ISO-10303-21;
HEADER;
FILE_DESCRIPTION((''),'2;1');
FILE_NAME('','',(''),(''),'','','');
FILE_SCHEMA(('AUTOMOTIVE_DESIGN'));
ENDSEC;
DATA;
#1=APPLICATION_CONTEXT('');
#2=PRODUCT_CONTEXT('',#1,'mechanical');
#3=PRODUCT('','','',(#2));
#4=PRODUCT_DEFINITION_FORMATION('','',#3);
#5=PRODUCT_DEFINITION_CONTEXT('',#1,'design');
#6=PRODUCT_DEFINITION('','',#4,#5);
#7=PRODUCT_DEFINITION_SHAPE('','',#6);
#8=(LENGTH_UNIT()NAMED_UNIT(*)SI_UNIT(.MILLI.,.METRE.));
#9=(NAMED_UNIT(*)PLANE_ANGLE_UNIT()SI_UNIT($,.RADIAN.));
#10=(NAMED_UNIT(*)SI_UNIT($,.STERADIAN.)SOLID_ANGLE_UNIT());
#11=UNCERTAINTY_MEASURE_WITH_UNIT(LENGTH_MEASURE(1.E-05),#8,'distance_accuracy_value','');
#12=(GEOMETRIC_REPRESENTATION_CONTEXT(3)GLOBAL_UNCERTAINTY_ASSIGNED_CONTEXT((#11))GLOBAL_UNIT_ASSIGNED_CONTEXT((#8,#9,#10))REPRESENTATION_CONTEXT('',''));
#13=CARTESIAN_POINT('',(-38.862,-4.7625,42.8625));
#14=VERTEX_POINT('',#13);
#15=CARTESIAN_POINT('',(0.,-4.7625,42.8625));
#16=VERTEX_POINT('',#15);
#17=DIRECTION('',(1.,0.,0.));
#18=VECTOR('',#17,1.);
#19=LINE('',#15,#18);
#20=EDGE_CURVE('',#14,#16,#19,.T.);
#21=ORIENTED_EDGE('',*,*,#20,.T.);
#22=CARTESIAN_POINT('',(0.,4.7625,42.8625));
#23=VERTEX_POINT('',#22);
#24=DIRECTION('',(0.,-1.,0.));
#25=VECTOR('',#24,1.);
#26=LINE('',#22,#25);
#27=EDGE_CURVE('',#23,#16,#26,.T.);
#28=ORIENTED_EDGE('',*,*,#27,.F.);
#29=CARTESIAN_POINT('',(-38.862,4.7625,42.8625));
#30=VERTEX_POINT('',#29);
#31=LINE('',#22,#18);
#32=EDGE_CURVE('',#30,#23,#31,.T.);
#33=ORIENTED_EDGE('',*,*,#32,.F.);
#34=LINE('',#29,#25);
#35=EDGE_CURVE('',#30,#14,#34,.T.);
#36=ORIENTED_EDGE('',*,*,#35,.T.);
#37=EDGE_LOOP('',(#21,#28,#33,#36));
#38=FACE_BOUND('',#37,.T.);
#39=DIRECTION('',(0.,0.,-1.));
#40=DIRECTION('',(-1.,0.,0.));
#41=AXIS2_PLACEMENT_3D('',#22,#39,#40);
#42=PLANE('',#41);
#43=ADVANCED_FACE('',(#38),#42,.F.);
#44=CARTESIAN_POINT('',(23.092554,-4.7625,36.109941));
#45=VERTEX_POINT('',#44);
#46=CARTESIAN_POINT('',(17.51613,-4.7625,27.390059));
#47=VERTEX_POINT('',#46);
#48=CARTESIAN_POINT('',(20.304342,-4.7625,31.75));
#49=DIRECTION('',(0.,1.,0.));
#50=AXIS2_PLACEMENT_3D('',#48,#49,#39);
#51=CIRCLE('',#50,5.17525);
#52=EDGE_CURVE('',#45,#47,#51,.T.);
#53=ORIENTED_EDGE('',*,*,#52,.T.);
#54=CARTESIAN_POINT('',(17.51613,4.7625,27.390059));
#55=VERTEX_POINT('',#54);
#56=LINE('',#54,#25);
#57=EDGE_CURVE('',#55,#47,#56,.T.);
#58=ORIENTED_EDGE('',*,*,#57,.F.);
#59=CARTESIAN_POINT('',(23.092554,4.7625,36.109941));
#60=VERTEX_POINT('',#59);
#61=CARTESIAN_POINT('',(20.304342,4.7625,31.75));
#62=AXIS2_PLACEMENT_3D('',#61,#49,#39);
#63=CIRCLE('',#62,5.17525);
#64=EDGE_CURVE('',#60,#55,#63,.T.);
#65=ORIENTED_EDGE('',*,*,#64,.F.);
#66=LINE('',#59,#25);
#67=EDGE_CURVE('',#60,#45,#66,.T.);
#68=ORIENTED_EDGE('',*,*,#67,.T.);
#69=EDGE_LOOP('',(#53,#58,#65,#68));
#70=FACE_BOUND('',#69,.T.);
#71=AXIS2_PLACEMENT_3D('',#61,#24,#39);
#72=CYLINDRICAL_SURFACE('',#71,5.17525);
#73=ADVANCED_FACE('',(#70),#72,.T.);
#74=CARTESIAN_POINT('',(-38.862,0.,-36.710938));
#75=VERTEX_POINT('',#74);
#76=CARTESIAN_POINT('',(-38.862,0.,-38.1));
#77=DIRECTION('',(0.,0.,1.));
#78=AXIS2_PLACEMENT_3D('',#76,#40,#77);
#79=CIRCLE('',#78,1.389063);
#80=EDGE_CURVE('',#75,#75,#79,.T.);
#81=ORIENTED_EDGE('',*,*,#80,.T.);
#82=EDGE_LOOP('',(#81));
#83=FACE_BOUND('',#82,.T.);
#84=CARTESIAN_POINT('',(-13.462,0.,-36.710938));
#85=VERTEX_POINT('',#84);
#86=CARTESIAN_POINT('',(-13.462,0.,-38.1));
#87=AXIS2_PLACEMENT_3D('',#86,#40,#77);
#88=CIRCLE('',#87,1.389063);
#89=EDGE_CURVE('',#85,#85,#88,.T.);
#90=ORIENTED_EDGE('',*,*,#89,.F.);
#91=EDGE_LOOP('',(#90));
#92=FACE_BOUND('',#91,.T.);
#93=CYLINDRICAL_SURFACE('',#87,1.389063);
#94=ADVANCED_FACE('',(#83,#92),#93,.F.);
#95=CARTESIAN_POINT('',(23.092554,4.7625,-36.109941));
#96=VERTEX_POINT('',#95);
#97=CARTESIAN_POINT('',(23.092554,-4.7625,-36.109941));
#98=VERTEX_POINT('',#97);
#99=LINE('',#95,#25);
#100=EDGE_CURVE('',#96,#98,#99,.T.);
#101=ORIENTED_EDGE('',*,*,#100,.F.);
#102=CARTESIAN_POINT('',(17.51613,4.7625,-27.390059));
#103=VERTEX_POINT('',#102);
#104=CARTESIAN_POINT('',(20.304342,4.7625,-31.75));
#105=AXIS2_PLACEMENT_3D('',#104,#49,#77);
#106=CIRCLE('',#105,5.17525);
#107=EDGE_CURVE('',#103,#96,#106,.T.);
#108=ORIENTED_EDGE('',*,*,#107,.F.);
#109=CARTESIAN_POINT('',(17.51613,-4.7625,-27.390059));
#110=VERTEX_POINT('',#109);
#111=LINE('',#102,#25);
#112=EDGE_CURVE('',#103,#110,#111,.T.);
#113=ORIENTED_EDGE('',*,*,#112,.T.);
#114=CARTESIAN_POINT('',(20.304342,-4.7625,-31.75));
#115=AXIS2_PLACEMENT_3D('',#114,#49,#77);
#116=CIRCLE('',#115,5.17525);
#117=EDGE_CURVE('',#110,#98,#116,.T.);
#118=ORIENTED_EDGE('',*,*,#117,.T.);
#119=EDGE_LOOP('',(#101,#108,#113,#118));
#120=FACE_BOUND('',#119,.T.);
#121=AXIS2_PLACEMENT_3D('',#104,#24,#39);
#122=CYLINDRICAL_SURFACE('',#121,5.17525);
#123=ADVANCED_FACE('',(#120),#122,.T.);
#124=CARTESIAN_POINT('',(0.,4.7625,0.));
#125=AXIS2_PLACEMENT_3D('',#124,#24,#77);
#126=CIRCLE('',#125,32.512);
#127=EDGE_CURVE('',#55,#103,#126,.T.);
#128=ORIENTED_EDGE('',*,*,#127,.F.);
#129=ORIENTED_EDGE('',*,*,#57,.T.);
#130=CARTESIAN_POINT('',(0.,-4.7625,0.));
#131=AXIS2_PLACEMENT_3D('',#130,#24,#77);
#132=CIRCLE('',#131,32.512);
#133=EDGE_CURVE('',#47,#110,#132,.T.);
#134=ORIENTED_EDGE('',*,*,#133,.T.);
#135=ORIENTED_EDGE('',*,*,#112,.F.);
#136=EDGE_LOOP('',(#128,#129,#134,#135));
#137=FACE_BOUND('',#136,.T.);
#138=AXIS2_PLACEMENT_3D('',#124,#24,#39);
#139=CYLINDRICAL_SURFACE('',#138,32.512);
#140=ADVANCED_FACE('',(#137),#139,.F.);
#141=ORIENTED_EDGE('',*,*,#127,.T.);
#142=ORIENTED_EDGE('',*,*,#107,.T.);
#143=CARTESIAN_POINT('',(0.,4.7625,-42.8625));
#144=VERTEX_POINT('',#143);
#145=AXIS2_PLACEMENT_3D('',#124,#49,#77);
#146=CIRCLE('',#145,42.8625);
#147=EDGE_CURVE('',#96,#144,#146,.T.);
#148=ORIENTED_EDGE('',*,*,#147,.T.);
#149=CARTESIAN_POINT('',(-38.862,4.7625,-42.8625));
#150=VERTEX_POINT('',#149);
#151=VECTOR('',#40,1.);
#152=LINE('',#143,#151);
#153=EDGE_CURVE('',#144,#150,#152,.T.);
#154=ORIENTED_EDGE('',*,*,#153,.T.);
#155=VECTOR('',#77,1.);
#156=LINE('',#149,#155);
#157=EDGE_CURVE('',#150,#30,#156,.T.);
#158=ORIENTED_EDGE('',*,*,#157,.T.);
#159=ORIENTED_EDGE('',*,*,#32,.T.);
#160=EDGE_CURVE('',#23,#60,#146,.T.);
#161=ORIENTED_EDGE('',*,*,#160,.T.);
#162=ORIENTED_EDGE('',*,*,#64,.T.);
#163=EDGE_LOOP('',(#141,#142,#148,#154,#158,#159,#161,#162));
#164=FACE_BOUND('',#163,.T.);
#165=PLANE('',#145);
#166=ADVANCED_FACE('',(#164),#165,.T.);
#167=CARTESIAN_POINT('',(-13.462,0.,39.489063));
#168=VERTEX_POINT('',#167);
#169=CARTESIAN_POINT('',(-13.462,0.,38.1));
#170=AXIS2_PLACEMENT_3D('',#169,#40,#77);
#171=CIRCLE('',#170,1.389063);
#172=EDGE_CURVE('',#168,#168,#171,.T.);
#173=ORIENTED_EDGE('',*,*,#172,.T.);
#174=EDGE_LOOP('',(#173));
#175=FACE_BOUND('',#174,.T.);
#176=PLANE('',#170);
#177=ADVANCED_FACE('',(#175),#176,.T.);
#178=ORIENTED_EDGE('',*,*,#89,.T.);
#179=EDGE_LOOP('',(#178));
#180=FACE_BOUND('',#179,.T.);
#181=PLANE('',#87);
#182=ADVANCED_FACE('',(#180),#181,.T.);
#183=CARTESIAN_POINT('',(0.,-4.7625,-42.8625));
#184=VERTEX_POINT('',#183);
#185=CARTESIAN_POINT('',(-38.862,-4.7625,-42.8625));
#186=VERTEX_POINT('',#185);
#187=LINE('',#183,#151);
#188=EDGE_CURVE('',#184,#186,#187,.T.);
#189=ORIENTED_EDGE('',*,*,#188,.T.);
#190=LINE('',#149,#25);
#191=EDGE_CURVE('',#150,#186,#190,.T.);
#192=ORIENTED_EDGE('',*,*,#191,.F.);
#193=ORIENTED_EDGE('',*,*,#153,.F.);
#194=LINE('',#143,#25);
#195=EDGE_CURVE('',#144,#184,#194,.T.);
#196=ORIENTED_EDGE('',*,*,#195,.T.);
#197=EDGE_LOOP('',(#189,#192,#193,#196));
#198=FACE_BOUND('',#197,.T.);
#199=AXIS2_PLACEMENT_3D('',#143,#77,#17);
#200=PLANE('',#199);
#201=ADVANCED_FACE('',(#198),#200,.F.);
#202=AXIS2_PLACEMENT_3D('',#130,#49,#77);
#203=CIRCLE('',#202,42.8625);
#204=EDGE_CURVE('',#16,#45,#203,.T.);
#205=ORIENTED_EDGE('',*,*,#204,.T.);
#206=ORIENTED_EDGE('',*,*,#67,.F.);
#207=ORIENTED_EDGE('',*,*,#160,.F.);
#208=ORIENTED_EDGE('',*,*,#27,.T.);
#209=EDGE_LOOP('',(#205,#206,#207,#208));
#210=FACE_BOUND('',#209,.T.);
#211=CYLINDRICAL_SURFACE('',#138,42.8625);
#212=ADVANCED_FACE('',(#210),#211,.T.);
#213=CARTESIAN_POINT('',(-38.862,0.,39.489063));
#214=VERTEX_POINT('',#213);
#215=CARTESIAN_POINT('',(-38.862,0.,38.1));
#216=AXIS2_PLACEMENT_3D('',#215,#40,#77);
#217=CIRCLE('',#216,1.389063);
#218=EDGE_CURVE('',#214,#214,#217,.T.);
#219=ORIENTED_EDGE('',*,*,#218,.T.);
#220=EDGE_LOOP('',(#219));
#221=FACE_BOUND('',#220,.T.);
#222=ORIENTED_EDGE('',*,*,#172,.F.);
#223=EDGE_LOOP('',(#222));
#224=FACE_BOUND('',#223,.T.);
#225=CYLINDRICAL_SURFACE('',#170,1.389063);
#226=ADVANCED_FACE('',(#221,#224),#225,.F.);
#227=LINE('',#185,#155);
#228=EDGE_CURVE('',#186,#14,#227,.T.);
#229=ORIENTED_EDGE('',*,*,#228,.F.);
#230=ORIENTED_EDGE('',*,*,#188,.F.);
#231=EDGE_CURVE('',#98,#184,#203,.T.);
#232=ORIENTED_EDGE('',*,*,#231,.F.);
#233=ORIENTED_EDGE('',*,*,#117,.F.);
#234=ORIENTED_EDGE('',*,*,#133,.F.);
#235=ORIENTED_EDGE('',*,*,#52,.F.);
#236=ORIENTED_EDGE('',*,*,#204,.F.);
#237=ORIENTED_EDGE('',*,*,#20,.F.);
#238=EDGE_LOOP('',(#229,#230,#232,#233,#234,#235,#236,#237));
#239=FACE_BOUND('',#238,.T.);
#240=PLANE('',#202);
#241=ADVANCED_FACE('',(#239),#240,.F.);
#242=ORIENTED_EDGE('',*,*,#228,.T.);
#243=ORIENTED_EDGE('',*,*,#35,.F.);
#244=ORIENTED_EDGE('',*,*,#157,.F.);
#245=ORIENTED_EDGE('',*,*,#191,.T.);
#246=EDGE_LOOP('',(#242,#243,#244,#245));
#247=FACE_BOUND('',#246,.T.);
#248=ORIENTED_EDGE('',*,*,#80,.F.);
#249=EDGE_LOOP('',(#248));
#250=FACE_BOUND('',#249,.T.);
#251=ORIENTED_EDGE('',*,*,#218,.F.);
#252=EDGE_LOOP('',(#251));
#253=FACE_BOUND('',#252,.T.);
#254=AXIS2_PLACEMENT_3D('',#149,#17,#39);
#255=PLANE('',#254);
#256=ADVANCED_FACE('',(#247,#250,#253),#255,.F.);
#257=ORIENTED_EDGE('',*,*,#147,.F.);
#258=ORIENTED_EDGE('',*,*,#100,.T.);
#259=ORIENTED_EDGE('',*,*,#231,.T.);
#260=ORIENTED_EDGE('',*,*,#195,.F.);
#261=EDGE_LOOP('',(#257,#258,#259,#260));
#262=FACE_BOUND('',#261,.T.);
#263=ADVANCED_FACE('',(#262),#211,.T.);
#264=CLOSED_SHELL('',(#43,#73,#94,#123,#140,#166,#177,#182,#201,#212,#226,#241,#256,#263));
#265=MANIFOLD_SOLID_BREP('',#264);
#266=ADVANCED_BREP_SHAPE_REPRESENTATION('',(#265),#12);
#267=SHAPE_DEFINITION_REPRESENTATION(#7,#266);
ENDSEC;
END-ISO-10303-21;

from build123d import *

# Parameters (mm, degrees)
BOSS_EXTRUDE1_DEPTH = 4.7625
SKETCH2_R           = 1.3890625
CUT_EXTRUDE1_DEPTH  = 25.4


with BuildPart() as part:
    # Sketch1 → Boss-Extrude1 (new body, symmetric)
    with BuildSketch(Plane(origin=(0, 0, 0), x_dir=(1, 0, 0), z_dir=(0, 1, 0))):
        with BuildLine():
            Line((-38.862, 42.8625), (-38.862, -42.8625))
            Line((-38.862, -42.8625), (0, -42.8625))
            ThreePointArc((0, -42.8625), (12.029787175, -41.139739022), (23.092554324, -36.109941028))
            ThreePointArc((23.092554324, -36.109941028), (24.664283237, -28.961787885), (17.516130095, -27.390058972))
            ThreePointArc((17.516130095, -27.390058972), (-32.512, 0), (17.516130095, 27.390058972))
            ThreePointArc((17.516130095, 27.390058972), (24.664283237, 28.961787885), (23.092554324, 36.109941028))
            ThreePointArc((23.092554324, 36.109941028), (12.029787175, 41.139739022), (0, 42.8625))
            Line((0, 42.8625), (-38.862, 42.8625))
        make_face()
    extrude(amount=BOSS_EXTRUDE1_DEPTH, both=True)

    # Sketch2 → Cut-Extrude1 (cut)
    with BuildSketch(Plane.ZY.offset(38.862)):
        with Locations((-38.1, 0)):
            Circle(SKETCH2_R)
        with Locations((38.1, 0)):
            Circle(SKETCH2_R)
    extrude(amount=-CUT_EXTRUDE1_DEPTH, mode=Mode.SUBTRACT)


solid = part.part
